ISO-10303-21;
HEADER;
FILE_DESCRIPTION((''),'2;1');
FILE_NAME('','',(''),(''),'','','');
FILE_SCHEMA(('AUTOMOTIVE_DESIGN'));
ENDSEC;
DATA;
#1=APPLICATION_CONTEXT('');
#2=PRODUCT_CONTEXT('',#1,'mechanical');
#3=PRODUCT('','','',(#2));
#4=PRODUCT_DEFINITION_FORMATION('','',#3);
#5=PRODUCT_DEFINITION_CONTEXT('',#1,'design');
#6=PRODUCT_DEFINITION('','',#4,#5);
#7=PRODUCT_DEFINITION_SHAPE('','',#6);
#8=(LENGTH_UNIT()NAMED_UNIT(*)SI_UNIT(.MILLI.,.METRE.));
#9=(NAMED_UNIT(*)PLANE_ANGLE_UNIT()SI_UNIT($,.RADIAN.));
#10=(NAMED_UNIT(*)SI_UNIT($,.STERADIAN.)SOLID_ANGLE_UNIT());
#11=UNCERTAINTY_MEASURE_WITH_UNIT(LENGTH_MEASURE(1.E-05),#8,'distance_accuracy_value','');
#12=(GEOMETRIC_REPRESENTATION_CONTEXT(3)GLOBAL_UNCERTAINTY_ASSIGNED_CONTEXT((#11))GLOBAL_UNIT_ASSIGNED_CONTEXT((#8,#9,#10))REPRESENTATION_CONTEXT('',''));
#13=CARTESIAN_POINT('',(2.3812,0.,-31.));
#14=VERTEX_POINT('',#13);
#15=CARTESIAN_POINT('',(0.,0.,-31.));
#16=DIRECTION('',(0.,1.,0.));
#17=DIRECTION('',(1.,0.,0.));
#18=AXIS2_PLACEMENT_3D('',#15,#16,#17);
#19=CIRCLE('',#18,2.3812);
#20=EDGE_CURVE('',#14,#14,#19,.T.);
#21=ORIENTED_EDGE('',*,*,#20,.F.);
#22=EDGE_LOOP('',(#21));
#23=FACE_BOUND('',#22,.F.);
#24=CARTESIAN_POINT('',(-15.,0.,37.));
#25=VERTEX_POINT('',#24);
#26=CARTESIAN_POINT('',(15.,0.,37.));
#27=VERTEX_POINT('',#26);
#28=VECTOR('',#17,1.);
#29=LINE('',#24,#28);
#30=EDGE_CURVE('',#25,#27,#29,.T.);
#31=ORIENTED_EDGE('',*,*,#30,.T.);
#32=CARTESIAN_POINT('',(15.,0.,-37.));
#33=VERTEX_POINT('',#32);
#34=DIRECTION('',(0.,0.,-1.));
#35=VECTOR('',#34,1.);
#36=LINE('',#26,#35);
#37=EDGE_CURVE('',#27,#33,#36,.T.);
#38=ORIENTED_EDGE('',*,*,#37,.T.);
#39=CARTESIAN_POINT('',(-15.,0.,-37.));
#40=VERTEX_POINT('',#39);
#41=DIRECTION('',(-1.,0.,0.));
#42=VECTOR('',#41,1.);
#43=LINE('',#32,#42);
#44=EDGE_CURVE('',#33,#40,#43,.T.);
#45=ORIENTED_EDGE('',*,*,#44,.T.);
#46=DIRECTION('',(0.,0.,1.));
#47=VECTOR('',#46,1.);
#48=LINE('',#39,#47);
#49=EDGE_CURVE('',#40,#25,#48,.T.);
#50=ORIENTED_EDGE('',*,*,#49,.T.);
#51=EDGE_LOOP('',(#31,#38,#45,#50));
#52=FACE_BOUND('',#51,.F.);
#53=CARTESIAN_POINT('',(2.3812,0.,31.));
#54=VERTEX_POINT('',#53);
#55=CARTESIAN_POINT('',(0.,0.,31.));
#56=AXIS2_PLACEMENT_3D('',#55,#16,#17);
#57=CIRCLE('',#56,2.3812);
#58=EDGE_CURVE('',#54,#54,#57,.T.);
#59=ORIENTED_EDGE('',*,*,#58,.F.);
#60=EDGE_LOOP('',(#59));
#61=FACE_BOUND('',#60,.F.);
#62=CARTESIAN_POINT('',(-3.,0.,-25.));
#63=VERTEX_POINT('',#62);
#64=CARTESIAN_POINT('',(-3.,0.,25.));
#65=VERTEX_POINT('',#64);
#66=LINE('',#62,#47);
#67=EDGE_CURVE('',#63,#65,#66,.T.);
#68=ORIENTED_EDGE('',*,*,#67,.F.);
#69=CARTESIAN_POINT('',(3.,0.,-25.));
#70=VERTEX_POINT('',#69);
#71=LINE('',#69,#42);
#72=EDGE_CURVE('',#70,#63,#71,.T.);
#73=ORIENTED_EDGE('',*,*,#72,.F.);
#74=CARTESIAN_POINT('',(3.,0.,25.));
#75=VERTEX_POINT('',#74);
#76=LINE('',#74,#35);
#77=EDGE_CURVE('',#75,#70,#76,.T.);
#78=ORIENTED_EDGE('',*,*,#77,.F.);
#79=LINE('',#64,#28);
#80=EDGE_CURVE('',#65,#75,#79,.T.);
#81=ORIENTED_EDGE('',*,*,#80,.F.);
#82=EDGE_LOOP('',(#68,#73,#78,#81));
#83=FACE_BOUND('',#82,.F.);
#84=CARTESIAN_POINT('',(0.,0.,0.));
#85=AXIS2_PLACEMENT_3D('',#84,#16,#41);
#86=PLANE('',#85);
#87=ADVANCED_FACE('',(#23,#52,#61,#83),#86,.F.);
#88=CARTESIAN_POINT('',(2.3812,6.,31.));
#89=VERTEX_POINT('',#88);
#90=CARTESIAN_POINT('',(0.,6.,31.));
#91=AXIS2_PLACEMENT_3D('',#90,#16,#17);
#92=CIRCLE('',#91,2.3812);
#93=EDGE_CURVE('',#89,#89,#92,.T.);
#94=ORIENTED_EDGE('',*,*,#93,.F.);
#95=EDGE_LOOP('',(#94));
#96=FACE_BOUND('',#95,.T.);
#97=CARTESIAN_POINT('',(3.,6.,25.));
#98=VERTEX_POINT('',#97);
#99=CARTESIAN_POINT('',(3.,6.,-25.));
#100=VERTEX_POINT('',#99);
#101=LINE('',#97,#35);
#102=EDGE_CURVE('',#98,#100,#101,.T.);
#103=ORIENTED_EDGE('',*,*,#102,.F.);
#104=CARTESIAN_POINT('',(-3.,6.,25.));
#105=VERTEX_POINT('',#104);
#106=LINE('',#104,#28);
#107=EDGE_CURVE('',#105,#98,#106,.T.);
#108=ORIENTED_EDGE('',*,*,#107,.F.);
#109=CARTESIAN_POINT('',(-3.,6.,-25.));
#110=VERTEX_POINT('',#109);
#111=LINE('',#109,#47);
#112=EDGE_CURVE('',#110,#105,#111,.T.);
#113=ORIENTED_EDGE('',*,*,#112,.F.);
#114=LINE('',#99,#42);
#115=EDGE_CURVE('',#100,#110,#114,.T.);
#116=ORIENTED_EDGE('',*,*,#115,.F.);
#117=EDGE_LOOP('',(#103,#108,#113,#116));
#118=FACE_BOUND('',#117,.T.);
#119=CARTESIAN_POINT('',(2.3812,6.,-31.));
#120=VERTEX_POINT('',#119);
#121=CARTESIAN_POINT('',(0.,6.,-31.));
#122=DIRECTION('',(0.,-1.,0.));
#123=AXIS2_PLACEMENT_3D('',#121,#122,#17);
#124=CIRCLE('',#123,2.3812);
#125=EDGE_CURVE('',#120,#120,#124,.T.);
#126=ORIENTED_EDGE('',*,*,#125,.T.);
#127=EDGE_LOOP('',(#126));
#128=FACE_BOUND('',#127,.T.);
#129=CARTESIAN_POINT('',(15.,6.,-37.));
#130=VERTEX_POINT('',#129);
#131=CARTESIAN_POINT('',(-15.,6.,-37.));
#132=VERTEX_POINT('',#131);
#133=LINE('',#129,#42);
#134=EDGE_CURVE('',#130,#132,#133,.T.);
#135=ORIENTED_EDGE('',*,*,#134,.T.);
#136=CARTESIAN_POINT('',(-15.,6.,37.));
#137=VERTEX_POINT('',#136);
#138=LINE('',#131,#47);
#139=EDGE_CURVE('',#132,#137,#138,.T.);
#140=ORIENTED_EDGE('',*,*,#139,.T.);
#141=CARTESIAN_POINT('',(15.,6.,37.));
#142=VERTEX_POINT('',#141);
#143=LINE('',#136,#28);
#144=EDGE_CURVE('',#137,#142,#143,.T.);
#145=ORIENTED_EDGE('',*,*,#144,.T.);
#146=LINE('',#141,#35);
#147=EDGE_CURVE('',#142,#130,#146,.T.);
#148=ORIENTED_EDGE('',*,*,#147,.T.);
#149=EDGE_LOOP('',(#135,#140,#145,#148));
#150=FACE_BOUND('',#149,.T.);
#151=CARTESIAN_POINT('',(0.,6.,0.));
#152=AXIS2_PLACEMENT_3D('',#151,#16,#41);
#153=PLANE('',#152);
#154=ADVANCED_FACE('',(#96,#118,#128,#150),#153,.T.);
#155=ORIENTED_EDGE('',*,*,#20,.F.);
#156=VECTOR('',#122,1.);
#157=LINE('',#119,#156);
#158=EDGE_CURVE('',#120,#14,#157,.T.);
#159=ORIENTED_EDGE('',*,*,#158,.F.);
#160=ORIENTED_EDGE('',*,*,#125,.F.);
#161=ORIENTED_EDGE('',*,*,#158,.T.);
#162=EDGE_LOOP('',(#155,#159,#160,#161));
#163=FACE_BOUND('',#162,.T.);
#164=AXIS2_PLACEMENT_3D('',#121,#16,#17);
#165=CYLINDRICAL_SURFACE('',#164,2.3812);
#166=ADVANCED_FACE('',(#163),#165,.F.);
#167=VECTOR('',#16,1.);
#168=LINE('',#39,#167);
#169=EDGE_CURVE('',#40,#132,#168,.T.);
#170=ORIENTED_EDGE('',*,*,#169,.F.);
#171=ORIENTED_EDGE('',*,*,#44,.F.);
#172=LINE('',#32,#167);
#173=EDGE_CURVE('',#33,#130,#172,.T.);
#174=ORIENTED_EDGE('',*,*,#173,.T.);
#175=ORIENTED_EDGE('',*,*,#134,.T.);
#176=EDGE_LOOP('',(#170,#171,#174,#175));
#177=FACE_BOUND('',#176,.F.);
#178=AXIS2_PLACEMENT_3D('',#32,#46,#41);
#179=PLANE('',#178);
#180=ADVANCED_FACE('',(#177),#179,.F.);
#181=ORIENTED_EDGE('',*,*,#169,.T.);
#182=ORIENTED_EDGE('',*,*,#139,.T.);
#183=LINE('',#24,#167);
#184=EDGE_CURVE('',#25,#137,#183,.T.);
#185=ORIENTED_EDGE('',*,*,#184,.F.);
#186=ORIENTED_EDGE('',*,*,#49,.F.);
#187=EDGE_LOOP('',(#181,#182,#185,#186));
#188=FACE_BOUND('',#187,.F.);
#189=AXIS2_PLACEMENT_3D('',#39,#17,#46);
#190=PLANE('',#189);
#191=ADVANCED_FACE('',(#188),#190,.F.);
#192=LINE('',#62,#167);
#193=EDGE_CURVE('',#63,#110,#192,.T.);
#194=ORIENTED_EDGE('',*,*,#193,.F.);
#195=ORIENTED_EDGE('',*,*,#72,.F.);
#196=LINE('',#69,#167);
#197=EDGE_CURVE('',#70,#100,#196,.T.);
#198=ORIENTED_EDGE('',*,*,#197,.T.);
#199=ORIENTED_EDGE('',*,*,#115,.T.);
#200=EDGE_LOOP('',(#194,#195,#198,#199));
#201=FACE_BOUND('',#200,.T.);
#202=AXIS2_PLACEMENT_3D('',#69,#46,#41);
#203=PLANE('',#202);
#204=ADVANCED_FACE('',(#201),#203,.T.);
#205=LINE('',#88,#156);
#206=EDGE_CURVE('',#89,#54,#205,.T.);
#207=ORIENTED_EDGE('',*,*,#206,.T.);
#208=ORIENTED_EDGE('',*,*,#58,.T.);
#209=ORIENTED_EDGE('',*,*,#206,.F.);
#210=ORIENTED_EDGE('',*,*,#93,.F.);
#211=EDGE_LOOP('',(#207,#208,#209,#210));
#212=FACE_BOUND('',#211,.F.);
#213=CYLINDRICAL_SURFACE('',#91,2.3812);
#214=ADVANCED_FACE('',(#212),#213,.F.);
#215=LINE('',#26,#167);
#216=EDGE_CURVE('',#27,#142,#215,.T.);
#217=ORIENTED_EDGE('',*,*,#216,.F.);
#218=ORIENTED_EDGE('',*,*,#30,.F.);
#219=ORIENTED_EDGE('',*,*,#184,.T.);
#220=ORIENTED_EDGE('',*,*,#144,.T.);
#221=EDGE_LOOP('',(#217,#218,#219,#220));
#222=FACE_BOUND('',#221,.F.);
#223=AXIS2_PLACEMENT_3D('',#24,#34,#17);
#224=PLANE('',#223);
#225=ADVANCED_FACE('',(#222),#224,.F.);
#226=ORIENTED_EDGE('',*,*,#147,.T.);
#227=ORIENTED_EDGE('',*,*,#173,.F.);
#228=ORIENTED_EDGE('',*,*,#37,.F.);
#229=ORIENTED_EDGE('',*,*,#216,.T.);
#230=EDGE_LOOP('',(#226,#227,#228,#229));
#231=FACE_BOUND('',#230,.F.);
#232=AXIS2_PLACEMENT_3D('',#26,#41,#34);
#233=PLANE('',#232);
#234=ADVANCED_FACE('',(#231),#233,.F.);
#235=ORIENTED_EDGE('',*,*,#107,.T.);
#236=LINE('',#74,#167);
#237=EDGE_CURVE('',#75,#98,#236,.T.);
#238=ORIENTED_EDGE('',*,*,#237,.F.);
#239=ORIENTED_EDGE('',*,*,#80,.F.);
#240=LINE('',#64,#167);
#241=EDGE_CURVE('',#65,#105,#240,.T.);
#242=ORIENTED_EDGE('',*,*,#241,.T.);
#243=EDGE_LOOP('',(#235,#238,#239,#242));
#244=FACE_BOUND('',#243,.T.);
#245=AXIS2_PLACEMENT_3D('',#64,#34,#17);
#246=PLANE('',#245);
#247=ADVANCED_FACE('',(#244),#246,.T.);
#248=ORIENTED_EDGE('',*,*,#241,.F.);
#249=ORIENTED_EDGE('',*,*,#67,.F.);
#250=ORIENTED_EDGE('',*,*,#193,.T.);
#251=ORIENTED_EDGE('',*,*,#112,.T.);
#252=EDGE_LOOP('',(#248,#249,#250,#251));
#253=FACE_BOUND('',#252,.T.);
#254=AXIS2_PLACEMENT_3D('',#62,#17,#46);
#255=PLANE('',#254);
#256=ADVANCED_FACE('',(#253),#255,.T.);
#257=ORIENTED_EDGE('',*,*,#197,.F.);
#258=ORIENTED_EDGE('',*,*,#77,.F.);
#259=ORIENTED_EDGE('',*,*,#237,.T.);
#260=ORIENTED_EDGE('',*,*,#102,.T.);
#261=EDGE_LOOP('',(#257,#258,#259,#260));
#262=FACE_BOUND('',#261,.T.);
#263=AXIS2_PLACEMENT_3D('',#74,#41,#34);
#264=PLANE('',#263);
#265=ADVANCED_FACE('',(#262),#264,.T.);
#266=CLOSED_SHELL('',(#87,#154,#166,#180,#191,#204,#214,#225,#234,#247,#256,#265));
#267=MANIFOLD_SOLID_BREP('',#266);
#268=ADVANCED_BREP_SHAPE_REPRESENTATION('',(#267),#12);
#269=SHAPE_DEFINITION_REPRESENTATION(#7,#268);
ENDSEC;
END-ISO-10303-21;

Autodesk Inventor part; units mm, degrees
ref_plane "YZ Plane" through (0, 0, 0) normal (1, 0, 0) x (0, 1, 0)
ref_plane "XZ Plane" through (0, 0, 0) normal (0, 1, 0) x (-1, 0, 0)
ref_plane "XY Plane" through (0, 0, 0) normal (0, 0, 1) x (1, 0, 0)
sketch "Boceto1" plane through (0, 0, 0) normal (0, 1, 0) x (-1, 0, 0)
  line L0 (-15, -37) -> (15, -37)
  line L1 (15, -37) -> (15, 37)
  line L2 (15, 37) -> (-15, 37)
  line L3 (-15, 37) -> (-15, -37)
  line L4 (-15, -37) -> (15, 37) construction
  line L5 (15, -37) -> (-15, 37) construction
  line L6 (-3, -25) -> (3, -25)
  line L7 (3, -25) -> (3, 25)
  line L8 (3, 25) -> (-3, 25)
  line L9 (-3, 25) -> (-3, -25)
  line L10 (-3, -25) -> (3, 25) construction
  line L11 (3, -25) -> (-3, 25) construction
  point P0 (0, 0)
  dimension "d2" = 6
  dimension "d3" = 50
  dimension "d4" = 12
  dimension "d5" = 12
extrude "Extrusión1" add sketch "Boceto1" along normal blind 6
sketch "Boceto2" plane through (0, 6, 0) normal (0, 1, 0) x (1, 0, 0)
  circle A0 centre (0, -31) radius 2.3812
  line L0 (-15, -37) -> (15, -37) projected
  point P0 (0, 0)
  dimension "d8" = 4.7625
  dimension "d9" = 6
extrude "Extrusión2" cut sketch "Boceto2" against normal through all
mirror "Simetría1" about plane through (0, 0, 0) normal (0, 0, 1) of "Extrusión2"
properties part number "sotenedor"
